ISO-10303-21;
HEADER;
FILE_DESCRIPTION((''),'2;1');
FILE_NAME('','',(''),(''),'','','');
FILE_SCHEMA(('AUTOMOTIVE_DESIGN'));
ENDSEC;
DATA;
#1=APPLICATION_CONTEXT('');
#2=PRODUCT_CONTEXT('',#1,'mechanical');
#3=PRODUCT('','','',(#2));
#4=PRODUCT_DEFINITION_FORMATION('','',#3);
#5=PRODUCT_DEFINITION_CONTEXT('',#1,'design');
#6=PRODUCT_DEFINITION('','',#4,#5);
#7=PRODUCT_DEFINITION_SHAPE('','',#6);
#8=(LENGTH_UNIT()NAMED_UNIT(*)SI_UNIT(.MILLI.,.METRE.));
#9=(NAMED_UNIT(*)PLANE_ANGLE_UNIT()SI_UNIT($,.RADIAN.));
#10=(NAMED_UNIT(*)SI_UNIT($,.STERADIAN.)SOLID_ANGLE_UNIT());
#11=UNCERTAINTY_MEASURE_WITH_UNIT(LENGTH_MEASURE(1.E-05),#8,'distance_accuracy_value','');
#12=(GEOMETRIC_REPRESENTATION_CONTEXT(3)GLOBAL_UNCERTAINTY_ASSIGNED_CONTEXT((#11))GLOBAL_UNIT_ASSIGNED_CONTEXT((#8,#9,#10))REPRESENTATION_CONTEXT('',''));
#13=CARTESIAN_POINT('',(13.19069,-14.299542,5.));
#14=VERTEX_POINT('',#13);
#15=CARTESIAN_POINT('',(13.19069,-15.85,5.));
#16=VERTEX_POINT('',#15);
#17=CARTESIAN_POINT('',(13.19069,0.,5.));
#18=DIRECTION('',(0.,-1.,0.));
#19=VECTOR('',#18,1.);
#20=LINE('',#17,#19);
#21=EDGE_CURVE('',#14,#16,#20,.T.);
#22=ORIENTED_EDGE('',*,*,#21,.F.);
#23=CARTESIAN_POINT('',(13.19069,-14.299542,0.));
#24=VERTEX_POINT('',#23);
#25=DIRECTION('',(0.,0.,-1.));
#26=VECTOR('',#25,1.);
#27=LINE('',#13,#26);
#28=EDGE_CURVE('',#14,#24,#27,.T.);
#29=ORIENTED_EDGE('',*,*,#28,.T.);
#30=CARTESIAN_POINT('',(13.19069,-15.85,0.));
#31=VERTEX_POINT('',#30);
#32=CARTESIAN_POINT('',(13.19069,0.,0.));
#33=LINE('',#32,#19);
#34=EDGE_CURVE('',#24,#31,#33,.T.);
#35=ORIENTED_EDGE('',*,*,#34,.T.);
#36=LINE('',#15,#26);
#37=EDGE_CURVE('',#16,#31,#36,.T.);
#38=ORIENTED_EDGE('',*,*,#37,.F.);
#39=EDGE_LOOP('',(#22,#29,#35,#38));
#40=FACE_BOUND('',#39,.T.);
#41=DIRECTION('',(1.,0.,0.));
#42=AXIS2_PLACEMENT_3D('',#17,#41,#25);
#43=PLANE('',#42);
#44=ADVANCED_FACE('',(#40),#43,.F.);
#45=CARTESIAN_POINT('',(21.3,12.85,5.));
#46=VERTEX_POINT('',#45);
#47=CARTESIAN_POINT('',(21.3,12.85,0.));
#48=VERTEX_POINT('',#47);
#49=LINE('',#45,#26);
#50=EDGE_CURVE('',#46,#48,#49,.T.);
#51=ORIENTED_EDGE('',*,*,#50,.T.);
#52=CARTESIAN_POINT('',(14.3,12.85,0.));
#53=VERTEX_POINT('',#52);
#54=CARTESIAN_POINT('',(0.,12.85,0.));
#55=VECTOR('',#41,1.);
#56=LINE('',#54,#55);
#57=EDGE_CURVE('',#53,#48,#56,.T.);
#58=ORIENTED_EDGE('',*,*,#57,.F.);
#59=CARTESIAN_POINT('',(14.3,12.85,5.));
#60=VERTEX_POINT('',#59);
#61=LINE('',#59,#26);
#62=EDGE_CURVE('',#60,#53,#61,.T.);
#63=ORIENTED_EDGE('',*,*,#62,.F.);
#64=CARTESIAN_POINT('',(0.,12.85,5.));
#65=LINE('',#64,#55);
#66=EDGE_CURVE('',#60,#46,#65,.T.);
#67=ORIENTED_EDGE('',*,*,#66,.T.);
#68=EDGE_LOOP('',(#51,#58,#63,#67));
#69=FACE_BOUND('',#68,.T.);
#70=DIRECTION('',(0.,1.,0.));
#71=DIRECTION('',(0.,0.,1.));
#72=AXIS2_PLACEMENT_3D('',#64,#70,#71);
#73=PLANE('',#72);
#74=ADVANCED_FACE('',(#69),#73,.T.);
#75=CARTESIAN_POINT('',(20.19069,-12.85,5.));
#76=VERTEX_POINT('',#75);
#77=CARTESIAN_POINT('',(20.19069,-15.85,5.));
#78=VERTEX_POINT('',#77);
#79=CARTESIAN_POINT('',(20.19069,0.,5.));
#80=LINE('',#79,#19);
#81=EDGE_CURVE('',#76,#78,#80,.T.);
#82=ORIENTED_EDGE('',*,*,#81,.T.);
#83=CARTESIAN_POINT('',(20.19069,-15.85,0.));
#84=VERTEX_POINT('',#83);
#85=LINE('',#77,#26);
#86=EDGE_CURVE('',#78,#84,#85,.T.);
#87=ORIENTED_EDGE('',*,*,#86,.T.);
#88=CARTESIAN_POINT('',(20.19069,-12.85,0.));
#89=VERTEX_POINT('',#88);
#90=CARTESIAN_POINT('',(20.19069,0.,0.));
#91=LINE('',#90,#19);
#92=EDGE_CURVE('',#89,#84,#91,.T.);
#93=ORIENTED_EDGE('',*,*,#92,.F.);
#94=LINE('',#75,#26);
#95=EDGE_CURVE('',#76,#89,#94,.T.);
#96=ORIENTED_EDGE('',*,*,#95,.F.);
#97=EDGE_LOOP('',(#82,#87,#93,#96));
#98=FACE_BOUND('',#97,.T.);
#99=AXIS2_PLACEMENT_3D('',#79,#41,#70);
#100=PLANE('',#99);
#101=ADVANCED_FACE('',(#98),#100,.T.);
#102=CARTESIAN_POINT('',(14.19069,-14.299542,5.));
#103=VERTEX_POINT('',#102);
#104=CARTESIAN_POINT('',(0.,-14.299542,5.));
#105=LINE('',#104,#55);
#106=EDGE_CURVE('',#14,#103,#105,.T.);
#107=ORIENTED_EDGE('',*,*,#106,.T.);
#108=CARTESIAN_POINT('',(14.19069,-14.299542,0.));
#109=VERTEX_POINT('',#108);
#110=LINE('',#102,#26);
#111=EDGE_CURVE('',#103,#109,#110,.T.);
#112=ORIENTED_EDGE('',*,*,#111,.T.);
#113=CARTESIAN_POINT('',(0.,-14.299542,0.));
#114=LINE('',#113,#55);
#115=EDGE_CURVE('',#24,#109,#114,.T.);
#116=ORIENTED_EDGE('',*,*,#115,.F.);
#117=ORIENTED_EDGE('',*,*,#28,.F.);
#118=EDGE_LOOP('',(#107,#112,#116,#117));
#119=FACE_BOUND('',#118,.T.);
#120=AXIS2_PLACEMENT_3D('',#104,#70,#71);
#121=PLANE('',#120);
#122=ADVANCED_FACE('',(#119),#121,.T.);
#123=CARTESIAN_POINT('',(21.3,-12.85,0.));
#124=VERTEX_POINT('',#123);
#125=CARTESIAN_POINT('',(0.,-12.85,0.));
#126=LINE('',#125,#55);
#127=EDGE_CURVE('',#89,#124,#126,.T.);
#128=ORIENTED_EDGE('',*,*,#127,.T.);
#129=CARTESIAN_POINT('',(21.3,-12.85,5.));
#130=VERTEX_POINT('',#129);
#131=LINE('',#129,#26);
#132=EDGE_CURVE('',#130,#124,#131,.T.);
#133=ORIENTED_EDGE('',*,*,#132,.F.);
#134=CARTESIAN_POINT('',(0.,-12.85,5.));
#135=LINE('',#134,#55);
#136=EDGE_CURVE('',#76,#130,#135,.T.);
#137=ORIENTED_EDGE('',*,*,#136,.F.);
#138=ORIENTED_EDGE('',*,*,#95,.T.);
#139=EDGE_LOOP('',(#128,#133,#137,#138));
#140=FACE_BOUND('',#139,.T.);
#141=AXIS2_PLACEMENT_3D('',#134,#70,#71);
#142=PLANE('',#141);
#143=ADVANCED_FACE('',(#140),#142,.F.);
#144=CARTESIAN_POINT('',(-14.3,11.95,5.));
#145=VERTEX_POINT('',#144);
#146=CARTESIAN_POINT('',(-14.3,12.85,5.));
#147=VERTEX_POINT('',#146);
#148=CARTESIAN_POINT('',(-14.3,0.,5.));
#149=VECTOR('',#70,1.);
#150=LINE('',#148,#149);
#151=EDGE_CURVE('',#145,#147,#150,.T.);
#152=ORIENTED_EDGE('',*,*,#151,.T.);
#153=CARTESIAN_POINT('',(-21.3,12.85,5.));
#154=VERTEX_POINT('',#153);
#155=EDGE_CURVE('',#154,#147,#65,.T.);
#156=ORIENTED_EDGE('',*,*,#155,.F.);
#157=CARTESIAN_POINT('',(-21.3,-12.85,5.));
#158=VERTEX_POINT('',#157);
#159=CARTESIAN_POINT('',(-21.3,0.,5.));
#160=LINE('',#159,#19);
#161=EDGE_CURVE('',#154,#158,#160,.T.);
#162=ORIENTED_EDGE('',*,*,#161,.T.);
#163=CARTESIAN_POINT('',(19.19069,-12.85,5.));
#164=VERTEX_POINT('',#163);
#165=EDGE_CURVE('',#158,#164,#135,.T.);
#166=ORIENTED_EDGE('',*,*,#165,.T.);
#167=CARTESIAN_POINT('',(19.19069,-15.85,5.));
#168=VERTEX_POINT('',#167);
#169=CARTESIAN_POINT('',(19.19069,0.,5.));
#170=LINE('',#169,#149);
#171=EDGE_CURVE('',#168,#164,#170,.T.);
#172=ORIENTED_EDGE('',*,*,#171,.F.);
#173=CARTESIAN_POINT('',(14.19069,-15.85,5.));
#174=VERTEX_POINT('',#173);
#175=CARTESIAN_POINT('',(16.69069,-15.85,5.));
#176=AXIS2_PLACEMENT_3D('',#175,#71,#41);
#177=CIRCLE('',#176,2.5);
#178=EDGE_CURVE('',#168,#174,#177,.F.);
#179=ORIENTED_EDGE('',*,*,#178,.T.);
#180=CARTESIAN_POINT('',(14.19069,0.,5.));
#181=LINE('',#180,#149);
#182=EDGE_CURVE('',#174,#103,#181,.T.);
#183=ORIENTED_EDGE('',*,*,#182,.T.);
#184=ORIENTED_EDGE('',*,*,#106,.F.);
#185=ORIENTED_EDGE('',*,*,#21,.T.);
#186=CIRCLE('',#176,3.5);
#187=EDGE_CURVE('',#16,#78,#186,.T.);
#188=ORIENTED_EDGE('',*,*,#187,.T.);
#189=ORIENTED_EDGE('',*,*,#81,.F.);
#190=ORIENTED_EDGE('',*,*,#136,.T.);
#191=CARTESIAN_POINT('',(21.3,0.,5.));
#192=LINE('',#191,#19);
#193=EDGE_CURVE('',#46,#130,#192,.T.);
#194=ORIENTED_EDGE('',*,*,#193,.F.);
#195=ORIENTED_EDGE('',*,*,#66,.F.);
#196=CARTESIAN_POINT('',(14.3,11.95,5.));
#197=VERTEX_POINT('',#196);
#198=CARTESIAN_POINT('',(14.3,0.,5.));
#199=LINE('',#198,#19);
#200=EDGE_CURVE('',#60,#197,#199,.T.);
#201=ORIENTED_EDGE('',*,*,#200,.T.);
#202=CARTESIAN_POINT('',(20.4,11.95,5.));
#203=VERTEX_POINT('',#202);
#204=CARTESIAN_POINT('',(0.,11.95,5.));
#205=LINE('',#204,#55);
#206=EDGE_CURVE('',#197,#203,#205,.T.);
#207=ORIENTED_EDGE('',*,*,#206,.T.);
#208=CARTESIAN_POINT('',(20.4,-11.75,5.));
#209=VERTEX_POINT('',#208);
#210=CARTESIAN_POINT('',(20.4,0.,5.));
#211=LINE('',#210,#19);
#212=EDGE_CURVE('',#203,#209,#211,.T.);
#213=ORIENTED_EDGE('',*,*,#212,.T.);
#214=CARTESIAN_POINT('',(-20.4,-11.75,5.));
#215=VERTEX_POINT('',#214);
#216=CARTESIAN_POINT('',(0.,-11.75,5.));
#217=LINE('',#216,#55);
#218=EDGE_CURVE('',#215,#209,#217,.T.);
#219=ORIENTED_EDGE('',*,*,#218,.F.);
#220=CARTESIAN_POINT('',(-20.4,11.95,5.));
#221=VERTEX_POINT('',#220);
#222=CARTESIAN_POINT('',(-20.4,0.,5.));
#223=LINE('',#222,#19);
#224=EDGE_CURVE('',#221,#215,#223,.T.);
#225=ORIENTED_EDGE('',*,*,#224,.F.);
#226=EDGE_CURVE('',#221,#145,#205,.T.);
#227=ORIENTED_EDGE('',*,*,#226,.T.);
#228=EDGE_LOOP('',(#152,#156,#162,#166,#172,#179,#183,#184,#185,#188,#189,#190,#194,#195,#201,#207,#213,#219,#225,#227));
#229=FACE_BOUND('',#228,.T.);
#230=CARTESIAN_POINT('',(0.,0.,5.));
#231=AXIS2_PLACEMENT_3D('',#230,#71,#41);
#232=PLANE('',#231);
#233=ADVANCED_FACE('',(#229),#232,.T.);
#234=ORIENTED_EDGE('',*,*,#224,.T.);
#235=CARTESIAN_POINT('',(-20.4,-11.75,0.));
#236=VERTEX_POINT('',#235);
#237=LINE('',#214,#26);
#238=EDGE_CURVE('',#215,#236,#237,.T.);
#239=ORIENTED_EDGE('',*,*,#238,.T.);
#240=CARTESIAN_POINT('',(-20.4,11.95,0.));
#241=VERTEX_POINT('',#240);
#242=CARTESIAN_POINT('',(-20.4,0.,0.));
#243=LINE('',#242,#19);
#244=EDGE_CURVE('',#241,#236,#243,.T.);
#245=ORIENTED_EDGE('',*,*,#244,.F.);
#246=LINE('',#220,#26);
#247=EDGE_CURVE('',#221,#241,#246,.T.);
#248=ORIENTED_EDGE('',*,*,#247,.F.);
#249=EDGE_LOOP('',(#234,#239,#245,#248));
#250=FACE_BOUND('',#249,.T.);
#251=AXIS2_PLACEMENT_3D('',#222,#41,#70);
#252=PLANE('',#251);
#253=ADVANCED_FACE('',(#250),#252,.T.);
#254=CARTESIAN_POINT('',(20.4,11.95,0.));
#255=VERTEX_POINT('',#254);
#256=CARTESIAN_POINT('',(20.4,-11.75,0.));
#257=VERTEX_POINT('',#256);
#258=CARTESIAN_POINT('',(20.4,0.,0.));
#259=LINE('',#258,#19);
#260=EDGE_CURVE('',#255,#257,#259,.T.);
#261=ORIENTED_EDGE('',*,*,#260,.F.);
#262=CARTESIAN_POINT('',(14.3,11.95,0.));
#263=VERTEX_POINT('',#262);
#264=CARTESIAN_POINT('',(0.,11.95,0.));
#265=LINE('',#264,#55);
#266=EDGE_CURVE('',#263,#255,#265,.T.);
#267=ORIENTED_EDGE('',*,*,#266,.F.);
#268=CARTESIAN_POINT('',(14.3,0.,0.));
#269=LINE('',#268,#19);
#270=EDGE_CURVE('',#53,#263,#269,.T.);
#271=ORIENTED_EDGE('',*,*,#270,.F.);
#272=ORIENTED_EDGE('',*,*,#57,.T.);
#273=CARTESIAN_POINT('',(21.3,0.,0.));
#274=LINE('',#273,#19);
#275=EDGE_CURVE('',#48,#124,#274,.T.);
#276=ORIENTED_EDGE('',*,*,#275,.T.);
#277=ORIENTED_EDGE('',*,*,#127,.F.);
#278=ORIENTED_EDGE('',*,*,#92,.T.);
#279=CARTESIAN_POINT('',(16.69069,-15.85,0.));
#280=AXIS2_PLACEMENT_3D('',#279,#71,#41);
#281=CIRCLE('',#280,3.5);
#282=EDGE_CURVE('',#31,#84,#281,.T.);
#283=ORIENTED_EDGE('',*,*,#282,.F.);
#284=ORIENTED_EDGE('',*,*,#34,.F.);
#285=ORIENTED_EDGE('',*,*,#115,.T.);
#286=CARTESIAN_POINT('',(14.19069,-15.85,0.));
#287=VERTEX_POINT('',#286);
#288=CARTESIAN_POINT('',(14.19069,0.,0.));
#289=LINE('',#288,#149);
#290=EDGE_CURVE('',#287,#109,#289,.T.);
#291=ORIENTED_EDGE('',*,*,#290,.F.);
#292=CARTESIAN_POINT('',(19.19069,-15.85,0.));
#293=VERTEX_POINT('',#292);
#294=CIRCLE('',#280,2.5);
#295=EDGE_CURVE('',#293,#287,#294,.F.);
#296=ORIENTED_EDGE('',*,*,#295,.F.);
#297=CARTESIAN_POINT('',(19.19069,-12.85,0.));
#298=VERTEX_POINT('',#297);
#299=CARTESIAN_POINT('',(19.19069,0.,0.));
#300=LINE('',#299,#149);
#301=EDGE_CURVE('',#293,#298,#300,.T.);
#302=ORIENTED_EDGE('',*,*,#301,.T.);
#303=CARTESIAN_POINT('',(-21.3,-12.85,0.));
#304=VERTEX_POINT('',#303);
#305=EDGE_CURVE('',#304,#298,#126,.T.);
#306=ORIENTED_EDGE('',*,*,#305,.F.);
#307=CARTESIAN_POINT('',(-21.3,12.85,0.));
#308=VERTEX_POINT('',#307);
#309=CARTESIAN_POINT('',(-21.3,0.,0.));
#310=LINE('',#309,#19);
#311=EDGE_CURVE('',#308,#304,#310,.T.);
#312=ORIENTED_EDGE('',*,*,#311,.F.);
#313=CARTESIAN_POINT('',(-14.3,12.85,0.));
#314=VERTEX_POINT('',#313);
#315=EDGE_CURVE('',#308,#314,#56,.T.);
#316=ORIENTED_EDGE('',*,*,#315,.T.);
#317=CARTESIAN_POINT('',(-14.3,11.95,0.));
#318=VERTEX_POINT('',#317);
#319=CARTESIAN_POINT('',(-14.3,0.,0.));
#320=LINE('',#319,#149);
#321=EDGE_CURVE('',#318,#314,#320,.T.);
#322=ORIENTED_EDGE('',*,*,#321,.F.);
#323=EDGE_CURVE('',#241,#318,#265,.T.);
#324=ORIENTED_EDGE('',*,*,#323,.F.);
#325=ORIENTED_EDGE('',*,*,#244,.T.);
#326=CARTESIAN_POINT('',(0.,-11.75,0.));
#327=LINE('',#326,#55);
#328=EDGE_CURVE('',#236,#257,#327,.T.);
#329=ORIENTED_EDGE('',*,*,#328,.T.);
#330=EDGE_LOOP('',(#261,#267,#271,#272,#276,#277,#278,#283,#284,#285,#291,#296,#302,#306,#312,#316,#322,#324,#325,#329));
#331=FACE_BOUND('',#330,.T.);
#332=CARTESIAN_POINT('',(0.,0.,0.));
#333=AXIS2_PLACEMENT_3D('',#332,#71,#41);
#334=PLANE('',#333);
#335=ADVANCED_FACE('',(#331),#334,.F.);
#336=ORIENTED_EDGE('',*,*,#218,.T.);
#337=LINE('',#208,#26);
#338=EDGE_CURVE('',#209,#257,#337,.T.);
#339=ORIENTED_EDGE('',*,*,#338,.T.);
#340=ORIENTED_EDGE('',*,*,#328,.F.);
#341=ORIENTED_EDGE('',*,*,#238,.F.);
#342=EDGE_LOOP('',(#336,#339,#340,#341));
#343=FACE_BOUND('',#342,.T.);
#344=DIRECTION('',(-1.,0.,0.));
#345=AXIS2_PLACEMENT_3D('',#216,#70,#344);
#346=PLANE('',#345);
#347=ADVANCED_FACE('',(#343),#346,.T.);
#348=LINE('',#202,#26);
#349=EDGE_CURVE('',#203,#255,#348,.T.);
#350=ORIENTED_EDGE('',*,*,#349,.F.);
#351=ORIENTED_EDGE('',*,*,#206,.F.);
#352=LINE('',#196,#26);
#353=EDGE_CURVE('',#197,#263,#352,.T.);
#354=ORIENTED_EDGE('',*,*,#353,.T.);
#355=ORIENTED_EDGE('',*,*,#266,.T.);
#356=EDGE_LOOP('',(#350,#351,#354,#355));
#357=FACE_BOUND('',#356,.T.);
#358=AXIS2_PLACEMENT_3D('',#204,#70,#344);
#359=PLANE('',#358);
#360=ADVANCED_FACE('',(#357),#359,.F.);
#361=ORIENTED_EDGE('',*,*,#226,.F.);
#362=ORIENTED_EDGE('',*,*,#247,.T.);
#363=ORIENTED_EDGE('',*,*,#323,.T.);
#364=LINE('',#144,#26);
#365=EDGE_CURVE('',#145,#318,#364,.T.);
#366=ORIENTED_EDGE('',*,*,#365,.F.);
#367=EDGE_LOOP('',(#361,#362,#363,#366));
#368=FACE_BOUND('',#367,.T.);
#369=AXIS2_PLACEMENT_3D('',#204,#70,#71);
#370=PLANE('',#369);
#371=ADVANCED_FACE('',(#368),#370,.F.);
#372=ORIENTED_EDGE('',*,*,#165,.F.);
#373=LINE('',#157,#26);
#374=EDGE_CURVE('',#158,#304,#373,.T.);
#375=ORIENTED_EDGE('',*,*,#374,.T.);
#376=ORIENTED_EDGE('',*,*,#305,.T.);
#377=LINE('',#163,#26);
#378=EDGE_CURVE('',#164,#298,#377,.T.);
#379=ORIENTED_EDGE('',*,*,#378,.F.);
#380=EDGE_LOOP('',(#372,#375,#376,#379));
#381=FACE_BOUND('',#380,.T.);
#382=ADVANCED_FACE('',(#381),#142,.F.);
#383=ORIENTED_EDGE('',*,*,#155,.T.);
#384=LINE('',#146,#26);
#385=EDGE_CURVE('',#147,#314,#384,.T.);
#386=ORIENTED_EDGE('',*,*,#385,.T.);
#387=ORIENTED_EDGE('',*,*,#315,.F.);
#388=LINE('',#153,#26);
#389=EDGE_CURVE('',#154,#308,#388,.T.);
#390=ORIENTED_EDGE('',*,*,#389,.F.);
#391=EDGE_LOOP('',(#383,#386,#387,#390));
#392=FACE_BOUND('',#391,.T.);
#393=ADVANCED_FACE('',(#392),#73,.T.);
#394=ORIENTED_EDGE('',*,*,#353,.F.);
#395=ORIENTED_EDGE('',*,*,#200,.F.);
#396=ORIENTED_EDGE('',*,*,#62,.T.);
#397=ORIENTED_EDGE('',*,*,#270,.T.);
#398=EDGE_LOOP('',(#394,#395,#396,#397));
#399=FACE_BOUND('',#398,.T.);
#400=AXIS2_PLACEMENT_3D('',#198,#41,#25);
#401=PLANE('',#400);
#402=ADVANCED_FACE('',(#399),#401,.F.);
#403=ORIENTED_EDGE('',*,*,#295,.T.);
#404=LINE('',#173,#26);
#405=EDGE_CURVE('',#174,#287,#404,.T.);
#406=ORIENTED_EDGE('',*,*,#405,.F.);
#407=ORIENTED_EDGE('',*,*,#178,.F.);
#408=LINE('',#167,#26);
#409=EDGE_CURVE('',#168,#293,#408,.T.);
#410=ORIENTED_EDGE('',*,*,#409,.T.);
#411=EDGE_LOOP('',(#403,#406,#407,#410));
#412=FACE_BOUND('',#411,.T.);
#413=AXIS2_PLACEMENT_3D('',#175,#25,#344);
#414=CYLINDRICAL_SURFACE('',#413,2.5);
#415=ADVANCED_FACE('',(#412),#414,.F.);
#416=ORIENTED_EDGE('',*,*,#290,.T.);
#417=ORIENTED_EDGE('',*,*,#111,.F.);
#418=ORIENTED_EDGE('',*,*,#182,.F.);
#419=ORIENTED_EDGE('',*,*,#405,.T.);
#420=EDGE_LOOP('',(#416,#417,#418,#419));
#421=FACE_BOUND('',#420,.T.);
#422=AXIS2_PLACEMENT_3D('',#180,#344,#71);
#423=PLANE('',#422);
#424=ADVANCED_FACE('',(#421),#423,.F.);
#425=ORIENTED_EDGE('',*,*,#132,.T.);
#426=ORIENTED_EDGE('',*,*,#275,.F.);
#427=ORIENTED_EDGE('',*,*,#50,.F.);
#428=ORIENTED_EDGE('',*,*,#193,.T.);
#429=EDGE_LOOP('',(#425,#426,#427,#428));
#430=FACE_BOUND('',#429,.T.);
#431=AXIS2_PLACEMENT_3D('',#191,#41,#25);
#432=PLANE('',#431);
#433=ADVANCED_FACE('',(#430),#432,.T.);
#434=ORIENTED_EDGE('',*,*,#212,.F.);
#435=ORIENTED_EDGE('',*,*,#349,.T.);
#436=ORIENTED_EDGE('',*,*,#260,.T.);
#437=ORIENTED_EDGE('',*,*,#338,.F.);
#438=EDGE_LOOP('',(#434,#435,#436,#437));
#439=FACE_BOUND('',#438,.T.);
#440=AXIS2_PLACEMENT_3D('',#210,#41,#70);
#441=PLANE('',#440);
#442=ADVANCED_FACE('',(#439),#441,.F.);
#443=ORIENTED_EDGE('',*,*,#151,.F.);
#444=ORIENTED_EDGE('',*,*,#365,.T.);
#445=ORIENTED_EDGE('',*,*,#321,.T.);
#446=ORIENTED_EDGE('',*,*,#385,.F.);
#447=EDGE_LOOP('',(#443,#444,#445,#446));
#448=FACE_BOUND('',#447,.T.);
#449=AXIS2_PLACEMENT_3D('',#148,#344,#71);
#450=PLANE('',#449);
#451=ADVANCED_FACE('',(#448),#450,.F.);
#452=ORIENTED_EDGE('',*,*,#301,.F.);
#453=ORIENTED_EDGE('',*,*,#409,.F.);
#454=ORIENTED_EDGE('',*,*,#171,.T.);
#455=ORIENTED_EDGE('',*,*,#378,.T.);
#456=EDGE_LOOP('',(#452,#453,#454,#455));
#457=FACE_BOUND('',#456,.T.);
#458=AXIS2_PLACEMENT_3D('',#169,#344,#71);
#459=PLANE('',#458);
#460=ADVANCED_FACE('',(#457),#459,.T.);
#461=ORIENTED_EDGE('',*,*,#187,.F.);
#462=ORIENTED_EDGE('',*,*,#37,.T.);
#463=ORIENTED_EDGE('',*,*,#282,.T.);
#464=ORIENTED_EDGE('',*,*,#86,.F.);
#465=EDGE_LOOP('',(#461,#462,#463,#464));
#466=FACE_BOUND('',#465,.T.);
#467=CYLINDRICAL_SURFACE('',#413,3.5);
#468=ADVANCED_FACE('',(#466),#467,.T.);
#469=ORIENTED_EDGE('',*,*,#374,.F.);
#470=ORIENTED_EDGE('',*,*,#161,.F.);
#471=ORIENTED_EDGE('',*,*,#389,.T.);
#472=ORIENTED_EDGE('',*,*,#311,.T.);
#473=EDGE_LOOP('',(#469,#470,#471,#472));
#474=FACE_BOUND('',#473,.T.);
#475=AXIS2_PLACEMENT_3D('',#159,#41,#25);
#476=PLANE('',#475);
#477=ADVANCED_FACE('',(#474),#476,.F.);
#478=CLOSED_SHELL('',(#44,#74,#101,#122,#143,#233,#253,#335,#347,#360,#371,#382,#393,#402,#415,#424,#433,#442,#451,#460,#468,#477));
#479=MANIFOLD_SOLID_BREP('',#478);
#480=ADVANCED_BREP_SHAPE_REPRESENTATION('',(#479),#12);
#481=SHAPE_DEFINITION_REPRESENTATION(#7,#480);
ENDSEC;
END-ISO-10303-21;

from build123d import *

# Parameters (mm, degrees)
BOSS_EXTRUDE1_DEPTH = 5
BOSS_EXTRUDE2_DEPTH = 5


with BuildPart() as part:
    # Sketch1 → Boss-Extrude1 (new body)
    with BuildSketch(Plane.XY):
        Polygon((-20.4, 11.95), (-14.3, 11.95), (-14.3, 12.85), (-21.3, 12.85), (-21.3, -12.85), (13.190689839, -12.85), (14.190689839, -12.85), (19.190689839, -12.85), (20.190689839, -12.85), (21.3, -12.85), (21.3, 12.85), (14.3, 12.85), (14.3, 11.95), (20.4, 11.95), (20.4, -11.75), (-20.4, -11.75), align=None)
    extrude(amount=BOSS_EXTRUDE1_DEPTH)

    # Sketch1<3> → Boss-Extrude2 (add)
    with BuildSketch(Plane.XY):
        with BuildLine():
            Line((14.190689839, -14.299541794), (13.190689839, -14.299541794))
            Line((13.190689839, -14.299541794), (13.190689839, -15.85))
            ThreePointArc((13.190689839, -15.85), (16.690689839, -19.35), (20.190689839, -15.85))
            Line((20.190689839, -15.85), (20.190689839, -12.85))
            Line((20.190689839, -12.85), (19.190689839, -12.85))
            Line((19.190689839, -12.85), (19.190689839, -15.85))
            ThreePointArc((19.190689839, -15.85), (16.690689839, -18.35), (14.190689839, -15.85))
            Line((14.190689839, -15.85), (14.190689839, -14.299541794))
        make_face()
    extrude(amount=BOSS_EXTRUDE2_DEPTH)


solid = part.part
